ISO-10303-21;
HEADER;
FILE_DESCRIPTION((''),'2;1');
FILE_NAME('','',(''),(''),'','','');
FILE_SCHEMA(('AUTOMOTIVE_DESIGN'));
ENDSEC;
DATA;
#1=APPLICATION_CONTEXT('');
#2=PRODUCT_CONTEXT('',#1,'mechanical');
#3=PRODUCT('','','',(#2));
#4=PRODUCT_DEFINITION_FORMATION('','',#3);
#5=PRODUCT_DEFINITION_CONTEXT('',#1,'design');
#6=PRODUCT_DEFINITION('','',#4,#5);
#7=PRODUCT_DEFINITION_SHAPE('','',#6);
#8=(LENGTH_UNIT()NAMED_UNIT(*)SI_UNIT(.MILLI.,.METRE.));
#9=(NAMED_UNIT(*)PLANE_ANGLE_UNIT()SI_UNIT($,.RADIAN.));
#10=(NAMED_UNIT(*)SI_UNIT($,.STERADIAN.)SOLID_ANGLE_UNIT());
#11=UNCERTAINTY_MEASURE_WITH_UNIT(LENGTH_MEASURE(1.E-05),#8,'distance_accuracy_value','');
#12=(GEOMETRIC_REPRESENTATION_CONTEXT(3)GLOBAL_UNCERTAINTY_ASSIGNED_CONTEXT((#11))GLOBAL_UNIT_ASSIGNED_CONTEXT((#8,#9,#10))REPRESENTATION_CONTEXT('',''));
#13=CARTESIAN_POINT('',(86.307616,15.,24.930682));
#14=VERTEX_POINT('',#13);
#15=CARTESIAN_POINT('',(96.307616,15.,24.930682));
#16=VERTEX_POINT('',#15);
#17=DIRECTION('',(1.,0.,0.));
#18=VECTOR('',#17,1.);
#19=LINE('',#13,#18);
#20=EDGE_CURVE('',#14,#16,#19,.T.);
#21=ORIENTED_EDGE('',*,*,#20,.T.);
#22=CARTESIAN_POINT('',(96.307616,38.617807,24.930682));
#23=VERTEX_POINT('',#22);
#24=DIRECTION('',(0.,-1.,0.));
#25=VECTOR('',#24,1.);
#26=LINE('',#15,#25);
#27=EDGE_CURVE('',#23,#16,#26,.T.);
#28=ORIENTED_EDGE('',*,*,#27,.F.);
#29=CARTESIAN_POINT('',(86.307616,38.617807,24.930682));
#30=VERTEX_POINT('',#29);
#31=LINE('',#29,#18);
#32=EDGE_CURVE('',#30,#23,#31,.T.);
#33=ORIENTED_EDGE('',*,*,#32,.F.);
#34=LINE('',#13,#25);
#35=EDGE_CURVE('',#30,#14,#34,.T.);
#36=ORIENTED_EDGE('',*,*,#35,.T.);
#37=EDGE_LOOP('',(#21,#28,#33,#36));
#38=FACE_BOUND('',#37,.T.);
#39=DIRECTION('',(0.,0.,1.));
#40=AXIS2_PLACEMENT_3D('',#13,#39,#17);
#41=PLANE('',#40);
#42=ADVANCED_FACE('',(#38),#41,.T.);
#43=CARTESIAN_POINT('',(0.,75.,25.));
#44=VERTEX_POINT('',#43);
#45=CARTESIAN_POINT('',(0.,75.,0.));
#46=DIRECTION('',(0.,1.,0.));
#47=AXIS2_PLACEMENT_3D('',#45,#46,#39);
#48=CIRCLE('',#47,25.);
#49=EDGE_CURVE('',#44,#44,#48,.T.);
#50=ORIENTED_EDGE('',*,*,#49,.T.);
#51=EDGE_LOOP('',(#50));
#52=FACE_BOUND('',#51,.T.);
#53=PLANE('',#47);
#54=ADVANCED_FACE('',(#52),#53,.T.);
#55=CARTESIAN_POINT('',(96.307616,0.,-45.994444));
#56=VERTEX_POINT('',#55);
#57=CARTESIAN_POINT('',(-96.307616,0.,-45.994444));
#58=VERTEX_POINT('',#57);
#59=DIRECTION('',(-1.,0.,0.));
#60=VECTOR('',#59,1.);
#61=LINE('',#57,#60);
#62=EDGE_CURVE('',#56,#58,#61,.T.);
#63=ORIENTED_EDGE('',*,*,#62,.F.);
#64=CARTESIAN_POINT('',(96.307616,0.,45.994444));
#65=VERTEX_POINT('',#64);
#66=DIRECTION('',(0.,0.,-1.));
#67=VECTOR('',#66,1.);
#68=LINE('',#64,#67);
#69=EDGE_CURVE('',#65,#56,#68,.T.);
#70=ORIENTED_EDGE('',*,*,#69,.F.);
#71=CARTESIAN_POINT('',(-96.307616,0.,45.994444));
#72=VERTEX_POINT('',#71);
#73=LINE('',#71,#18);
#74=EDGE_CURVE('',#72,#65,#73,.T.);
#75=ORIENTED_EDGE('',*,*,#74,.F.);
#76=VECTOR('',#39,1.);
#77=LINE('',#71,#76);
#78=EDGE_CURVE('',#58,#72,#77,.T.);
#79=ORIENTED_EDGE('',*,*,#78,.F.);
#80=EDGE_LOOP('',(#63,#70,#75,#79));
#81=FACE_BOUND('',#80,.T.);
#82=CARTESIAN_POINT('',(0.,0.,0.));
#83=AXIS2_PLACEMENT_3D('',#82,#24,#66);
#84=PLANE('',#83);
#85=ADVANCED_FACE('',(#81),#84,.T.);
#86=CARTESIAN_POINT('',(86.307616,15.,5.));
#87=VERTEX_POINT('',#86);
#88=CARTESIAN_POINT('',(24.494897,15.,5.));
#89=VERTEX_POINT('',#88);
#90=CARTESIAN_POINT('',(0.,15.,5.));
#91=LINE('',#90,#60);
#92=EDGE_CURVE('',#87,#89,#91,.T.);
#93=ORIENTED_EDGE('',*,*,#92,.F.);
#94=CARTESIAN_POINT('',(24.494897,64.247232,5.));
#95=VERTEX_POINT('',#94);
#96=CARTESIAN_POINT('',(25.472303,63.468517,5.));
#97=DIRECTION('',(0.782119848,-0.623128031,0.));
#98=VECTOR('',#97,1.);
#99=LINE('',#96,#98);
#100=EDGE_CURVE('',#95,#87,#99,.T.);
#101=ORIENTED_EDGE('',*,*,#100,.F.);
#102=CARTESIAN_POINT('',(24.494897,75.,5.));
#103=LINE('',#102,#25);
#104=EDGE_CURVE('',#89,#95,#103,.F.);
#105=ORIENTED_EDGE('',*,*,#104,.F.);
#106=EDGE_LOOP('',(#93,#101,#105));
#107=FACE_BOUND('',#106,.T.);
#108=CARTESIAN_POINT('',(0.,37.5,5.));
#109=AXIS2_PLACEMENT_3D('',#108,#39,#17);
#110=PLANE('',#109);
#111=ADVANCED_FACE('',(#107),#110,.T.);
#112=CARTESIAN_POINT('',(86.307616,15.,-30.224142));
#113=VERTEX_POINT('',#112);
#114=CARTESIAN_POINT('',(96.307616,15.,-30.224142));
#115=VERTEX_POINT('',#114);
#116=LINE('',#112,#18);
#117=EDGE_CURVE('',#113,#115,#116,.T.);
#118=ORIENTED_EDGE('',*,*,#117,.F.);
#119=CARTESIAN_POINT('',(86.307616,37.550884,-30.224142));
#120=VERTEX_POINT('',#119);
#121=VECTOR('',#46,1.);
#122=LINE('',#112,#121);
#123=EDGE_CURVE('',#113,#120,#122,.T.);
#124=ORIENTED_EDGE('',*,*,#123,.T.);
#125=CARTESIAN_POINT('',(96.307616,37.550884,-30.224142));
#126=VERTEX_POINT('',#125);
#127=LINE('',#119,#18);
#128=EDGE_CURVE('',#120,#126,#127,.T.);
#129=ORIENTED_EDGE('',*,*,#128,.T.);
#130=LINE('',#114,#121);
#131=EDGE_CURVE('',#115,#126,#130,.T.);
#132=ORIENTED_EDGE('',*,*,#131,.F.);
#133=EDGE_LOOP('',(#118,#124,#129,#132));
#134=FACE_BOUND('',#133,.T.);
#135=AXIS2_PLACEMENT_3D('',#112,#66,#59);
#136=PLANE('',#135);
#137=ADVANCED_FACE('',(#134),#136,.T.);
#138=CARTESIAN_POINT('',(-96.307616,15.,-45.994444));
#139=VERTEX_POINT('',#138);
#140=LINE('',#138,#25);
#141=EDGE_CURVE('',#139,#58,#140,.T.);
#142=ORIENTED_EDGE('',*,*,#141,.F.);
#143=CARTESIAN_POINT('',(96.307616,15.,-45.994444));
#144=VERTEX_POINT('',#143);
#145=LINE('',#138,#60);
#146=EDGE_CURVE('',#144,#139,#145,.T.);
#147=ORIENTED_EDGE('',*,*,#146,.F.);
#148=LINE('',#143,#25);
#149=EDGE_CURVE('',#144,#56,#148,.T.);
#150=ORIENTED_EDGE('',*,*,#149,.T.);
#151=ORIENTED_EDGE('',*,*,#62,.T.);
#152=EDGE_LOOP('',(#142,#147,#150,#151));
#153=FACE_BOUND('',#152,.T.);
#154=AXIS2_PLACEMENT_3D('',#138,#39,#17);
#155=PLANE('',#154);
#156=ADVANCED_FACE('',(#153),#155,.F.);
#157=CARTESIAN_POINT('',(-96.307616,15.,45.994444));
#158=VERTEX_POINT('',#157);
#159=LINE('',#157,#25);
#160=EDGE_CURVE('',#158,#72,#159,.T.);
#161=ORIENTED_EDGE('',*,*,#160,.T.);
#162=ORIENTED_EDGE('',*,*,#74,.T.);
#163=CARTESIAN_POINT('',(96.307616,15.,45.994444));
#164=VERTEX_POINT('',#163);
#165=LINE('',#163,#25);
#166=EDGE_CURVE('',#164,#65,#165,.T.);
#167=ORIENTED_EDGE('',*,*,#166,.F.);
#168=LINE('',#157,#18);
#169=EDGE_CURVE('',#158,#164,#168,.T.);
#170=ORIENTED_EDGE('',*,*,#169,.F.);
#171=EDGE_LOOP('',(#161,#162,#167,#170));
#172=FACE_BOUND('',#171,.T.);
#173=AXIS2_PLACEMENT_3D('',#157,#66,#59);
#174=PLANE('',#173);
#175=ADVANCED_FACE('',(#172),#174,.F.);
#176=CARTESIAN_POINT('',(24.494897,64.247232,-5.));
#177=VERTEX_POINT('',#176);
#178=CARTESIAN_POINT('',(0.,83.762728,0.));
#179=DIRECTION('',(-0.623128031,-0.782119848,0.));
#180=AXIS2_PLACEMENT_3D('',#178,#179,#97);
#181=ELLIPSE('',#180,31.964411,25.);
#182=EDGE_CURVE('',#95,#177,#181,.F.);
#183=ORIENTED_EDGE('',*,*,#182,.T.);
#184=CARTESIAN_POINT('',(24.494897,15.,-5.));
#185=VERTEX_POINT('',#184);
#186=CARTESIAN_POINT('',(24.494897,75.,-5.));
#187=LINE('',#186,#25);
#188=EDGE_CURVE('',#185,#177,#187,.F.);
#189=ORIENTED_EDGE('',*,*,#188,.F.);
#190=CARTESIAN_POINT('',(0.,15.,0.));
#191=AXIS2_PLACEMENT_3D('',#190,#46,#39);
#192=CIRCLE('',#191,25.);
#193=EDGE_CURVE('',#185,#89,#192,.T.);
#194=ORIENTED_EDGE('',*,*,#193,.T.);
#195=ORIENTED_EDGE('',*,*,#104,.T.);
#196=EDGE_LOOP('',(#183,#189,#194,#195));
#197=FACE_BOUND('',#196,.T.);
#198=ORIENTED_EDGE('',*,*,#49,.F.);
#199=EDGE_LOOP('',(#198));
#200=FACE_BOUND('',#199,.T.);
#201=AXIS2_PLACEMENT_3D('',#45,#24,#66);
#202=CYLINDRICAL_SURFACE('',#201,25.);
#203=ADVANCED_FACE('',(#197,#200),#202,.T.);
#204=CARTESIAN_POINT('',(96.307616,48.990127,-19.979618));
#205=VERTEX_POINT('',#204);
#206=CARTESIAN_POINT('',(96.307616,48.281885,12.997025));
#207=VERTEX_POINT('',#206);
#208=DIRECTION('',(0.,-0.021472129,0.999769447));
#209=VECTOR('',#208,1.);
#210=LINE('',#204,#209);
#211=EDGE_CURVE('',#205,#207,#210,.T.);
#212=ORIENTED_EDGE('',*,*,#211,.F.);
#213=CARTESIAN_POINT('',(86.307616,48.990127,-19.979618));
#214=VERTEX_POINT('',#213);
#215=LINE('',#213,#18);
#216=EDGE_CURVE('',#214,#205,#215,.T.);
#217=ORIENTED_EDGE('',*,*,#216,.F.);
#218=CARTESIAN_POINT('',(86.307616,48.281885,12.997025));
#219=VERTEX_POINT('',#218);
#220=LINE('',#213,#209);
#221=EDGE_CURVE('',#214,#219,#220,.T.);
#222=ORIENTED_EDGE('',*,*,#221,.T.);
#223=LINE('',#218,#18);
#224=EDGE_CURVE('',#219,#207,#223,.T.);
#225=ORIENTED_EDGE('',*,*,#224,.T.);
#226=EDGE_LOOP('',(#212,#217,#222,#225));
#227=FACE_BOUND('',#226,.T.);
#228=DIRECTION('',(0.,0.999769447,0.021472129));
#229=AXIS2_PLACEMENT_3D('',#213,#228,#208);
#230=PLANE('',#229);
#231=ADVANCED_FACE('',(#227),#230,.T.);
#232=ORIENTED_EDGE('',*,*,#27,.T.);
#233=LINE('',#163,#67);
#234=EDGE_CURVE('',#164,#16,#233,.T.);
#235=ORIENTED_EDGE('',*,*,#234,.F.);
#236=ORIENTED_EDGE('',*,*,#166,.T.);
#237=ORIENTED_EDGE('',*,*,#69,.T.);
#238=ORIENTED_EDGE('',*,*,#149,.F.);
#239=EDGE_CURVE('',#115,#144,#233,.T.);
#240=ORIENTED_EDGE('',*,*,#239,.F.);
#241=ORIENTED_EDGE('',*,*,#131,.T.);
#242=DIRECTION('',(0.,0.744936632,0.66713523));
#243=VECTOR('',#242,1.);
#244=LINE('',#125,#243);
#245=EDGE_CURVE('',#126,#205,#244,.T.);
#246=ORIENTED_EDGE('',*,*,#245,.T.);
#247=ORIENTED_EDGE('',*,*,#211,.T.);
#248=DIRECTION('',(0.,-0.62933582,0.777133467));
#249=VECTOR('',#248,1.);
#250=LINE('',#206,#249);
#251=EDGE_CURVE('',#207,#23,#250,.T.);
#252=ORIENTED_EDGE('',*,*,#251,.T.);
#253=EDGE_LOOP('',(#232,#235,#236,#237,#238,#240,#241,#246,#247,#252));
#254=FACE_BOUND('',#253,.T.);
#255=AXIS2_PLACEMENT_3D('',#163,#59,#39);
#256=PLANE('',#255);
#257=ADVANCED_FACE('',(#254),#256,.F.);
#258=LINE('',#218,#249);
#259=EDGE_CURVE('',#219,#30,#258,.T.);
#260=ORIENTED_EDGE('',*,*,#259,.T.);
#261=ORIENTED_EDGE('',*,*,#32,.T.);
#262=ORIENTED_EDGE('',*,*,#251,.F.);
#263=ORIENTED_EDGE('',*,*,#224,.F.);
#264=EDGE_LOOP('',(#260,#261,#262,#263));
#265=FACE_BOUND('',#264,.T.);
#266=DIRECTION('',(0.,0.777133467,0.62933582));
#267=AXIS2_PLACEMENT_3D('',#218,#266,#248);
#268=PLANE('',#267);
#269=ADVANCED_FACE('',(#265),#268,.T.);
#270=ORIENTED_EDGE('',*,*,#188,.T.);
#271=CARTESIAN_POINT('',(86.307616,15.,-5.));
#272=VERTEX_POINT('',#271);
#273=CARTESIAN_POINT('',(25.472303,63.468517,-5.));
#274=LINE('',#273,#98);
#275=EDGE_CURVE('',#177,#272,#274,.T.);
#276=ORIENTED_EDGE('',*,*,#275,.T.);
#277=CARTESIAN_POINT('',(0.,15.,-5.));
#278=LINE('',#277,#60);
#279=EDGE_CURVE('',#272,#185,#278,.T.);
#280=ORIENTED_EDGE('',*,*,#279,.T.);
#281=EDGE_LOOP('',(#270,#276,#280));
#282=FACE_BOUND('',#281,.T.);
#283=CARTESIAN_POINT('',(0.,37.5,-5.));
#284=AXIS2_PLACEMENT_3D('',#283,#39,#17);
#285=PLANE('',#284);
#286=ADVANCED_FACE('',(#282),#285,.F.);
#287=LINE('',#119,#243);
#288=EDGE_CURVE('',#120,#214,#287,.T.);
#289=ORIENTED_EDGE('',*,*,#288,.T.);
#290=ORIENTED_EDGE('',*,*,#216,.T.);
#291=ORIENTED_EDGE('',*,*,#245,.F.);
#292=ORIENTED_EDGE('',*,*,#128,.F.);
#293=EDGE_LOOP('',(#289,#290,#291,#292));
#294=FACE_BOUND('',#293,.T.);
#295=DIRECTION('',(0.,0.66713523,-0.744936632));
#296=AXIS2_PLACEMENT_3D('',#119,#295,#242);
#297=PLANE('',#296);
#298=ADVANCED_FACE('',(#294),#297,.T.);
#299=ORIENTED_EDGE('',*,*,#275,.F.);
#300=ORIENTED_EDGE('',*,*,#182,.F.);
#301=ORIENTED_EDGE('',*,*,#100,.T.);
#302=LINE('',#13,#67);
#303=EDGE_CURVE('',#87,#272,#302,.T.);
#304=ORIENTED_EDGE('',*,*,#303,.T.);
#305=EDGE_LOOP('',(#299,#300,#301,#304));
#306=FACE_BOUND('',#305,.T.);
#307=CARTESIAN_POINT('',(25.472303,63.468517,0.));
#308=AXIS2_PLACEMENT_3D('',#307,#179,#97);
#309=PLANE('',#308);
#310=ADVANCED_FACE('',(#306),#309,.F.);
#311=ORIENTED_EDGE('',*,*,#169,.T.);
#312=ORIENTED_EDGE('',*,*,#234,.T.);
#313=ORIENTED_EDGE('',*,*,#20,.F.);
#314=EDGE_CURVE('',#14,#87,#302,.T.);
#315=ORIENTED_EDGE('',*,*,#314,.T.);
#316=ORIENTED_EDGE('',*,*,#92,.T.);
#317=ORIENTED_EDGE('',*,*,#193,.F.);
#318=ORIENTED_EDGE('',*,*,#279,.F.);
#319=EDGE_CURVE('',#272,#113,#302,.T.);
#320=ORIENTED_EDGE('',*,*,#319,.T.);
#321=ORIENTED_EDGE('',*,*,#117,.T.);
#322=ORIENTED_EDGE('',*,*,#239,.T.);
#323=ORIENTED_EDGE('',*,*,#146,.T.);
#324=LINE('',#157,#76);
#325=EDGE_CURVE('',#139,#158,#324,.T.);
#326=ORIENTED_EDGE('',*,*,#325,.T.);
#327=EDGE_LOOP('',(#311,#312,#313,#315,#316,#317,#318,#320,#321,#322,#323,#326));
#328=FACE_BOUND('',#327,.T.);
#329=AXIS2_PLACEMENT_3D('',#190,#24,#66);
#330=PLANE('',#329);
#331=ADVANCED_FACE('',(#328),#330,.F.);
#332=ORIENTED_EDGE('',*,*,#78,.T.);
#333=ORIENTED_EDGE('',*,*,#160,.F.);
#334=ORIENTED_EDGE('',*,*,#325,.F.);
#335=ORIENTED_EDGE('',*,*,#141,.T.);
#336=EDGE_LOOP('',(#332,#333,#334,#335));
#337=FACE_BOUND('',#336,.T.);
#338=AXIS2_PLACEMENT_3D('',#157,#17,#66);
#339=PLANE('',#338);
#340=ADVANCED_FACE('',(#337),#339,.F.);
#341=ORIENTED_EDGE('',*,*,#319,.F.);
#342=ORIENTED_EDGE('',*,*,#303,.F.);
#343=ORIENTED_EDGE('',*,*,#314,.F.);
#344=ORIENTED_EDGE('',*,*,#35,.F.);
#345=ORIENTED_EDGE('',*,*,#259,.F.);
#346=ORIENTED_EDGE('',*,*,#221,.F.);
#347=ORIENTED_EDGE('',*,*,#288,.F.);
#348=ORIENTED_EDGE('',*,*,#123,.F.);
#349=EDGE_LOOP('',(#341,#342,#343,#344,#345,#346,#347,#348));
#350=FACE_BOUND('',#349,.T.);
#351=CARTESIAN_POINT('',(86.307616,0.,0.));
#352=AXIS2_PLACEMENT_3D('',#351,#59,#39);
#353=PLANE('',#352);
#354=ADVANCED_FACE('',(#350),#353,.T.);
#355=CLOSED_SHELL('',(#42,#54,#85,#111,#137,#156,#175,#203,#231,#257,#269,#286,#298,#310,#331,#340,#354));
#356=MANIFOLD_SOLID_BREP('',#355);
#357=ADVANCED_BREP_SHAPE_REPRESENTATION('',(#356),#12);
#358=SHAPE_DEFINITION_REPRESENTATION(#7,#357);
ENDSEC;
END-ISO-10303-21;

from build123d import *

# Parameters (mm, degrees)
ESQUISSE1_W        = 192.615231554
ESQUISSE1_H        = 91.988888612
BOSS_EXTRU_1_DEPTH = 15
ESQUISSE3_R        = 25
BOSS_EXTRU_2_DEPTH = 60
BOSS_EXTRU_3_DEPTH = 10
NERVURE1_REACH     = 132.444
ESQUISSE5_WALL_W   = 340.670663134
ESQUISSE5_WALL_H   = 10


with BuildPart() as part:
    # Esquisse1 → Boss.-Extru.1 (new body)
    with BuildSketch(Plane(origin=(0, 0, 0), x_dir=(1, 0, 0), z_dir=(0, 1, 0))):
        Rectangle(ESQUISSE1_W, ESQUISSE1_H)
    extrude(amount=BOSS_EXTRU_1_DEPTH)

    # Esquisse3 → Boss.-Extru.2 (add)
    with BuildSketch(Plane(origin=(0, 15, 0), x_dir=(1, 0, 0), z_dir=(0, 1, 0))):
        with Locations(Location((0, 0, 0), (0, 0, 270))):
            Circle(ESQUISSE3_R)
    extrude(amount=BOSS_EXTRU_2_DEPTH)

    # Esquisse4 → Boss.-Extru.3 (add)
    with BuildSketch(Plane(origin=(96.307615777, 0, 0), x_dir=(0, 0, -1), z_dir=(1, 0, 0))):
        Polygon((-24.930682443, 15), (30.224142476, 15), (30.224142476, 37.550884027), (19.979617808, 48.99012657), (-12.997025488, 48.281884538), (-24.930682443, 38.617807381), align=None)
    extrude(amount=-BOSS_EXTRU_3_DEPTH)

    # Esquisse5 wall → Nervure1 (add, up to next)
    with BuildSketch(Plane(origin=(55.88995931, 39.234258268, 0), x_dir=(0.782119847954, -0.623128031336, 0), z_dir=(0.623128031336, 0.782119847954, 0)), mode=Mode.PRIVATE) as nervure1_sk1:
        Rectangle(ESQUISSE5_WALL_W, ESQUISSE5_WALL_H)
    nervure1_tool1 = extrude(nervure1_sk1.sketch, amount=-NERVURE1_REACH, mode=Mode.PRIVATE) - part.part
    add(nervure1_tool1.solids().sort_by_distance((55.88995931, 39.234258268, 0))[0])


solid = part.part
